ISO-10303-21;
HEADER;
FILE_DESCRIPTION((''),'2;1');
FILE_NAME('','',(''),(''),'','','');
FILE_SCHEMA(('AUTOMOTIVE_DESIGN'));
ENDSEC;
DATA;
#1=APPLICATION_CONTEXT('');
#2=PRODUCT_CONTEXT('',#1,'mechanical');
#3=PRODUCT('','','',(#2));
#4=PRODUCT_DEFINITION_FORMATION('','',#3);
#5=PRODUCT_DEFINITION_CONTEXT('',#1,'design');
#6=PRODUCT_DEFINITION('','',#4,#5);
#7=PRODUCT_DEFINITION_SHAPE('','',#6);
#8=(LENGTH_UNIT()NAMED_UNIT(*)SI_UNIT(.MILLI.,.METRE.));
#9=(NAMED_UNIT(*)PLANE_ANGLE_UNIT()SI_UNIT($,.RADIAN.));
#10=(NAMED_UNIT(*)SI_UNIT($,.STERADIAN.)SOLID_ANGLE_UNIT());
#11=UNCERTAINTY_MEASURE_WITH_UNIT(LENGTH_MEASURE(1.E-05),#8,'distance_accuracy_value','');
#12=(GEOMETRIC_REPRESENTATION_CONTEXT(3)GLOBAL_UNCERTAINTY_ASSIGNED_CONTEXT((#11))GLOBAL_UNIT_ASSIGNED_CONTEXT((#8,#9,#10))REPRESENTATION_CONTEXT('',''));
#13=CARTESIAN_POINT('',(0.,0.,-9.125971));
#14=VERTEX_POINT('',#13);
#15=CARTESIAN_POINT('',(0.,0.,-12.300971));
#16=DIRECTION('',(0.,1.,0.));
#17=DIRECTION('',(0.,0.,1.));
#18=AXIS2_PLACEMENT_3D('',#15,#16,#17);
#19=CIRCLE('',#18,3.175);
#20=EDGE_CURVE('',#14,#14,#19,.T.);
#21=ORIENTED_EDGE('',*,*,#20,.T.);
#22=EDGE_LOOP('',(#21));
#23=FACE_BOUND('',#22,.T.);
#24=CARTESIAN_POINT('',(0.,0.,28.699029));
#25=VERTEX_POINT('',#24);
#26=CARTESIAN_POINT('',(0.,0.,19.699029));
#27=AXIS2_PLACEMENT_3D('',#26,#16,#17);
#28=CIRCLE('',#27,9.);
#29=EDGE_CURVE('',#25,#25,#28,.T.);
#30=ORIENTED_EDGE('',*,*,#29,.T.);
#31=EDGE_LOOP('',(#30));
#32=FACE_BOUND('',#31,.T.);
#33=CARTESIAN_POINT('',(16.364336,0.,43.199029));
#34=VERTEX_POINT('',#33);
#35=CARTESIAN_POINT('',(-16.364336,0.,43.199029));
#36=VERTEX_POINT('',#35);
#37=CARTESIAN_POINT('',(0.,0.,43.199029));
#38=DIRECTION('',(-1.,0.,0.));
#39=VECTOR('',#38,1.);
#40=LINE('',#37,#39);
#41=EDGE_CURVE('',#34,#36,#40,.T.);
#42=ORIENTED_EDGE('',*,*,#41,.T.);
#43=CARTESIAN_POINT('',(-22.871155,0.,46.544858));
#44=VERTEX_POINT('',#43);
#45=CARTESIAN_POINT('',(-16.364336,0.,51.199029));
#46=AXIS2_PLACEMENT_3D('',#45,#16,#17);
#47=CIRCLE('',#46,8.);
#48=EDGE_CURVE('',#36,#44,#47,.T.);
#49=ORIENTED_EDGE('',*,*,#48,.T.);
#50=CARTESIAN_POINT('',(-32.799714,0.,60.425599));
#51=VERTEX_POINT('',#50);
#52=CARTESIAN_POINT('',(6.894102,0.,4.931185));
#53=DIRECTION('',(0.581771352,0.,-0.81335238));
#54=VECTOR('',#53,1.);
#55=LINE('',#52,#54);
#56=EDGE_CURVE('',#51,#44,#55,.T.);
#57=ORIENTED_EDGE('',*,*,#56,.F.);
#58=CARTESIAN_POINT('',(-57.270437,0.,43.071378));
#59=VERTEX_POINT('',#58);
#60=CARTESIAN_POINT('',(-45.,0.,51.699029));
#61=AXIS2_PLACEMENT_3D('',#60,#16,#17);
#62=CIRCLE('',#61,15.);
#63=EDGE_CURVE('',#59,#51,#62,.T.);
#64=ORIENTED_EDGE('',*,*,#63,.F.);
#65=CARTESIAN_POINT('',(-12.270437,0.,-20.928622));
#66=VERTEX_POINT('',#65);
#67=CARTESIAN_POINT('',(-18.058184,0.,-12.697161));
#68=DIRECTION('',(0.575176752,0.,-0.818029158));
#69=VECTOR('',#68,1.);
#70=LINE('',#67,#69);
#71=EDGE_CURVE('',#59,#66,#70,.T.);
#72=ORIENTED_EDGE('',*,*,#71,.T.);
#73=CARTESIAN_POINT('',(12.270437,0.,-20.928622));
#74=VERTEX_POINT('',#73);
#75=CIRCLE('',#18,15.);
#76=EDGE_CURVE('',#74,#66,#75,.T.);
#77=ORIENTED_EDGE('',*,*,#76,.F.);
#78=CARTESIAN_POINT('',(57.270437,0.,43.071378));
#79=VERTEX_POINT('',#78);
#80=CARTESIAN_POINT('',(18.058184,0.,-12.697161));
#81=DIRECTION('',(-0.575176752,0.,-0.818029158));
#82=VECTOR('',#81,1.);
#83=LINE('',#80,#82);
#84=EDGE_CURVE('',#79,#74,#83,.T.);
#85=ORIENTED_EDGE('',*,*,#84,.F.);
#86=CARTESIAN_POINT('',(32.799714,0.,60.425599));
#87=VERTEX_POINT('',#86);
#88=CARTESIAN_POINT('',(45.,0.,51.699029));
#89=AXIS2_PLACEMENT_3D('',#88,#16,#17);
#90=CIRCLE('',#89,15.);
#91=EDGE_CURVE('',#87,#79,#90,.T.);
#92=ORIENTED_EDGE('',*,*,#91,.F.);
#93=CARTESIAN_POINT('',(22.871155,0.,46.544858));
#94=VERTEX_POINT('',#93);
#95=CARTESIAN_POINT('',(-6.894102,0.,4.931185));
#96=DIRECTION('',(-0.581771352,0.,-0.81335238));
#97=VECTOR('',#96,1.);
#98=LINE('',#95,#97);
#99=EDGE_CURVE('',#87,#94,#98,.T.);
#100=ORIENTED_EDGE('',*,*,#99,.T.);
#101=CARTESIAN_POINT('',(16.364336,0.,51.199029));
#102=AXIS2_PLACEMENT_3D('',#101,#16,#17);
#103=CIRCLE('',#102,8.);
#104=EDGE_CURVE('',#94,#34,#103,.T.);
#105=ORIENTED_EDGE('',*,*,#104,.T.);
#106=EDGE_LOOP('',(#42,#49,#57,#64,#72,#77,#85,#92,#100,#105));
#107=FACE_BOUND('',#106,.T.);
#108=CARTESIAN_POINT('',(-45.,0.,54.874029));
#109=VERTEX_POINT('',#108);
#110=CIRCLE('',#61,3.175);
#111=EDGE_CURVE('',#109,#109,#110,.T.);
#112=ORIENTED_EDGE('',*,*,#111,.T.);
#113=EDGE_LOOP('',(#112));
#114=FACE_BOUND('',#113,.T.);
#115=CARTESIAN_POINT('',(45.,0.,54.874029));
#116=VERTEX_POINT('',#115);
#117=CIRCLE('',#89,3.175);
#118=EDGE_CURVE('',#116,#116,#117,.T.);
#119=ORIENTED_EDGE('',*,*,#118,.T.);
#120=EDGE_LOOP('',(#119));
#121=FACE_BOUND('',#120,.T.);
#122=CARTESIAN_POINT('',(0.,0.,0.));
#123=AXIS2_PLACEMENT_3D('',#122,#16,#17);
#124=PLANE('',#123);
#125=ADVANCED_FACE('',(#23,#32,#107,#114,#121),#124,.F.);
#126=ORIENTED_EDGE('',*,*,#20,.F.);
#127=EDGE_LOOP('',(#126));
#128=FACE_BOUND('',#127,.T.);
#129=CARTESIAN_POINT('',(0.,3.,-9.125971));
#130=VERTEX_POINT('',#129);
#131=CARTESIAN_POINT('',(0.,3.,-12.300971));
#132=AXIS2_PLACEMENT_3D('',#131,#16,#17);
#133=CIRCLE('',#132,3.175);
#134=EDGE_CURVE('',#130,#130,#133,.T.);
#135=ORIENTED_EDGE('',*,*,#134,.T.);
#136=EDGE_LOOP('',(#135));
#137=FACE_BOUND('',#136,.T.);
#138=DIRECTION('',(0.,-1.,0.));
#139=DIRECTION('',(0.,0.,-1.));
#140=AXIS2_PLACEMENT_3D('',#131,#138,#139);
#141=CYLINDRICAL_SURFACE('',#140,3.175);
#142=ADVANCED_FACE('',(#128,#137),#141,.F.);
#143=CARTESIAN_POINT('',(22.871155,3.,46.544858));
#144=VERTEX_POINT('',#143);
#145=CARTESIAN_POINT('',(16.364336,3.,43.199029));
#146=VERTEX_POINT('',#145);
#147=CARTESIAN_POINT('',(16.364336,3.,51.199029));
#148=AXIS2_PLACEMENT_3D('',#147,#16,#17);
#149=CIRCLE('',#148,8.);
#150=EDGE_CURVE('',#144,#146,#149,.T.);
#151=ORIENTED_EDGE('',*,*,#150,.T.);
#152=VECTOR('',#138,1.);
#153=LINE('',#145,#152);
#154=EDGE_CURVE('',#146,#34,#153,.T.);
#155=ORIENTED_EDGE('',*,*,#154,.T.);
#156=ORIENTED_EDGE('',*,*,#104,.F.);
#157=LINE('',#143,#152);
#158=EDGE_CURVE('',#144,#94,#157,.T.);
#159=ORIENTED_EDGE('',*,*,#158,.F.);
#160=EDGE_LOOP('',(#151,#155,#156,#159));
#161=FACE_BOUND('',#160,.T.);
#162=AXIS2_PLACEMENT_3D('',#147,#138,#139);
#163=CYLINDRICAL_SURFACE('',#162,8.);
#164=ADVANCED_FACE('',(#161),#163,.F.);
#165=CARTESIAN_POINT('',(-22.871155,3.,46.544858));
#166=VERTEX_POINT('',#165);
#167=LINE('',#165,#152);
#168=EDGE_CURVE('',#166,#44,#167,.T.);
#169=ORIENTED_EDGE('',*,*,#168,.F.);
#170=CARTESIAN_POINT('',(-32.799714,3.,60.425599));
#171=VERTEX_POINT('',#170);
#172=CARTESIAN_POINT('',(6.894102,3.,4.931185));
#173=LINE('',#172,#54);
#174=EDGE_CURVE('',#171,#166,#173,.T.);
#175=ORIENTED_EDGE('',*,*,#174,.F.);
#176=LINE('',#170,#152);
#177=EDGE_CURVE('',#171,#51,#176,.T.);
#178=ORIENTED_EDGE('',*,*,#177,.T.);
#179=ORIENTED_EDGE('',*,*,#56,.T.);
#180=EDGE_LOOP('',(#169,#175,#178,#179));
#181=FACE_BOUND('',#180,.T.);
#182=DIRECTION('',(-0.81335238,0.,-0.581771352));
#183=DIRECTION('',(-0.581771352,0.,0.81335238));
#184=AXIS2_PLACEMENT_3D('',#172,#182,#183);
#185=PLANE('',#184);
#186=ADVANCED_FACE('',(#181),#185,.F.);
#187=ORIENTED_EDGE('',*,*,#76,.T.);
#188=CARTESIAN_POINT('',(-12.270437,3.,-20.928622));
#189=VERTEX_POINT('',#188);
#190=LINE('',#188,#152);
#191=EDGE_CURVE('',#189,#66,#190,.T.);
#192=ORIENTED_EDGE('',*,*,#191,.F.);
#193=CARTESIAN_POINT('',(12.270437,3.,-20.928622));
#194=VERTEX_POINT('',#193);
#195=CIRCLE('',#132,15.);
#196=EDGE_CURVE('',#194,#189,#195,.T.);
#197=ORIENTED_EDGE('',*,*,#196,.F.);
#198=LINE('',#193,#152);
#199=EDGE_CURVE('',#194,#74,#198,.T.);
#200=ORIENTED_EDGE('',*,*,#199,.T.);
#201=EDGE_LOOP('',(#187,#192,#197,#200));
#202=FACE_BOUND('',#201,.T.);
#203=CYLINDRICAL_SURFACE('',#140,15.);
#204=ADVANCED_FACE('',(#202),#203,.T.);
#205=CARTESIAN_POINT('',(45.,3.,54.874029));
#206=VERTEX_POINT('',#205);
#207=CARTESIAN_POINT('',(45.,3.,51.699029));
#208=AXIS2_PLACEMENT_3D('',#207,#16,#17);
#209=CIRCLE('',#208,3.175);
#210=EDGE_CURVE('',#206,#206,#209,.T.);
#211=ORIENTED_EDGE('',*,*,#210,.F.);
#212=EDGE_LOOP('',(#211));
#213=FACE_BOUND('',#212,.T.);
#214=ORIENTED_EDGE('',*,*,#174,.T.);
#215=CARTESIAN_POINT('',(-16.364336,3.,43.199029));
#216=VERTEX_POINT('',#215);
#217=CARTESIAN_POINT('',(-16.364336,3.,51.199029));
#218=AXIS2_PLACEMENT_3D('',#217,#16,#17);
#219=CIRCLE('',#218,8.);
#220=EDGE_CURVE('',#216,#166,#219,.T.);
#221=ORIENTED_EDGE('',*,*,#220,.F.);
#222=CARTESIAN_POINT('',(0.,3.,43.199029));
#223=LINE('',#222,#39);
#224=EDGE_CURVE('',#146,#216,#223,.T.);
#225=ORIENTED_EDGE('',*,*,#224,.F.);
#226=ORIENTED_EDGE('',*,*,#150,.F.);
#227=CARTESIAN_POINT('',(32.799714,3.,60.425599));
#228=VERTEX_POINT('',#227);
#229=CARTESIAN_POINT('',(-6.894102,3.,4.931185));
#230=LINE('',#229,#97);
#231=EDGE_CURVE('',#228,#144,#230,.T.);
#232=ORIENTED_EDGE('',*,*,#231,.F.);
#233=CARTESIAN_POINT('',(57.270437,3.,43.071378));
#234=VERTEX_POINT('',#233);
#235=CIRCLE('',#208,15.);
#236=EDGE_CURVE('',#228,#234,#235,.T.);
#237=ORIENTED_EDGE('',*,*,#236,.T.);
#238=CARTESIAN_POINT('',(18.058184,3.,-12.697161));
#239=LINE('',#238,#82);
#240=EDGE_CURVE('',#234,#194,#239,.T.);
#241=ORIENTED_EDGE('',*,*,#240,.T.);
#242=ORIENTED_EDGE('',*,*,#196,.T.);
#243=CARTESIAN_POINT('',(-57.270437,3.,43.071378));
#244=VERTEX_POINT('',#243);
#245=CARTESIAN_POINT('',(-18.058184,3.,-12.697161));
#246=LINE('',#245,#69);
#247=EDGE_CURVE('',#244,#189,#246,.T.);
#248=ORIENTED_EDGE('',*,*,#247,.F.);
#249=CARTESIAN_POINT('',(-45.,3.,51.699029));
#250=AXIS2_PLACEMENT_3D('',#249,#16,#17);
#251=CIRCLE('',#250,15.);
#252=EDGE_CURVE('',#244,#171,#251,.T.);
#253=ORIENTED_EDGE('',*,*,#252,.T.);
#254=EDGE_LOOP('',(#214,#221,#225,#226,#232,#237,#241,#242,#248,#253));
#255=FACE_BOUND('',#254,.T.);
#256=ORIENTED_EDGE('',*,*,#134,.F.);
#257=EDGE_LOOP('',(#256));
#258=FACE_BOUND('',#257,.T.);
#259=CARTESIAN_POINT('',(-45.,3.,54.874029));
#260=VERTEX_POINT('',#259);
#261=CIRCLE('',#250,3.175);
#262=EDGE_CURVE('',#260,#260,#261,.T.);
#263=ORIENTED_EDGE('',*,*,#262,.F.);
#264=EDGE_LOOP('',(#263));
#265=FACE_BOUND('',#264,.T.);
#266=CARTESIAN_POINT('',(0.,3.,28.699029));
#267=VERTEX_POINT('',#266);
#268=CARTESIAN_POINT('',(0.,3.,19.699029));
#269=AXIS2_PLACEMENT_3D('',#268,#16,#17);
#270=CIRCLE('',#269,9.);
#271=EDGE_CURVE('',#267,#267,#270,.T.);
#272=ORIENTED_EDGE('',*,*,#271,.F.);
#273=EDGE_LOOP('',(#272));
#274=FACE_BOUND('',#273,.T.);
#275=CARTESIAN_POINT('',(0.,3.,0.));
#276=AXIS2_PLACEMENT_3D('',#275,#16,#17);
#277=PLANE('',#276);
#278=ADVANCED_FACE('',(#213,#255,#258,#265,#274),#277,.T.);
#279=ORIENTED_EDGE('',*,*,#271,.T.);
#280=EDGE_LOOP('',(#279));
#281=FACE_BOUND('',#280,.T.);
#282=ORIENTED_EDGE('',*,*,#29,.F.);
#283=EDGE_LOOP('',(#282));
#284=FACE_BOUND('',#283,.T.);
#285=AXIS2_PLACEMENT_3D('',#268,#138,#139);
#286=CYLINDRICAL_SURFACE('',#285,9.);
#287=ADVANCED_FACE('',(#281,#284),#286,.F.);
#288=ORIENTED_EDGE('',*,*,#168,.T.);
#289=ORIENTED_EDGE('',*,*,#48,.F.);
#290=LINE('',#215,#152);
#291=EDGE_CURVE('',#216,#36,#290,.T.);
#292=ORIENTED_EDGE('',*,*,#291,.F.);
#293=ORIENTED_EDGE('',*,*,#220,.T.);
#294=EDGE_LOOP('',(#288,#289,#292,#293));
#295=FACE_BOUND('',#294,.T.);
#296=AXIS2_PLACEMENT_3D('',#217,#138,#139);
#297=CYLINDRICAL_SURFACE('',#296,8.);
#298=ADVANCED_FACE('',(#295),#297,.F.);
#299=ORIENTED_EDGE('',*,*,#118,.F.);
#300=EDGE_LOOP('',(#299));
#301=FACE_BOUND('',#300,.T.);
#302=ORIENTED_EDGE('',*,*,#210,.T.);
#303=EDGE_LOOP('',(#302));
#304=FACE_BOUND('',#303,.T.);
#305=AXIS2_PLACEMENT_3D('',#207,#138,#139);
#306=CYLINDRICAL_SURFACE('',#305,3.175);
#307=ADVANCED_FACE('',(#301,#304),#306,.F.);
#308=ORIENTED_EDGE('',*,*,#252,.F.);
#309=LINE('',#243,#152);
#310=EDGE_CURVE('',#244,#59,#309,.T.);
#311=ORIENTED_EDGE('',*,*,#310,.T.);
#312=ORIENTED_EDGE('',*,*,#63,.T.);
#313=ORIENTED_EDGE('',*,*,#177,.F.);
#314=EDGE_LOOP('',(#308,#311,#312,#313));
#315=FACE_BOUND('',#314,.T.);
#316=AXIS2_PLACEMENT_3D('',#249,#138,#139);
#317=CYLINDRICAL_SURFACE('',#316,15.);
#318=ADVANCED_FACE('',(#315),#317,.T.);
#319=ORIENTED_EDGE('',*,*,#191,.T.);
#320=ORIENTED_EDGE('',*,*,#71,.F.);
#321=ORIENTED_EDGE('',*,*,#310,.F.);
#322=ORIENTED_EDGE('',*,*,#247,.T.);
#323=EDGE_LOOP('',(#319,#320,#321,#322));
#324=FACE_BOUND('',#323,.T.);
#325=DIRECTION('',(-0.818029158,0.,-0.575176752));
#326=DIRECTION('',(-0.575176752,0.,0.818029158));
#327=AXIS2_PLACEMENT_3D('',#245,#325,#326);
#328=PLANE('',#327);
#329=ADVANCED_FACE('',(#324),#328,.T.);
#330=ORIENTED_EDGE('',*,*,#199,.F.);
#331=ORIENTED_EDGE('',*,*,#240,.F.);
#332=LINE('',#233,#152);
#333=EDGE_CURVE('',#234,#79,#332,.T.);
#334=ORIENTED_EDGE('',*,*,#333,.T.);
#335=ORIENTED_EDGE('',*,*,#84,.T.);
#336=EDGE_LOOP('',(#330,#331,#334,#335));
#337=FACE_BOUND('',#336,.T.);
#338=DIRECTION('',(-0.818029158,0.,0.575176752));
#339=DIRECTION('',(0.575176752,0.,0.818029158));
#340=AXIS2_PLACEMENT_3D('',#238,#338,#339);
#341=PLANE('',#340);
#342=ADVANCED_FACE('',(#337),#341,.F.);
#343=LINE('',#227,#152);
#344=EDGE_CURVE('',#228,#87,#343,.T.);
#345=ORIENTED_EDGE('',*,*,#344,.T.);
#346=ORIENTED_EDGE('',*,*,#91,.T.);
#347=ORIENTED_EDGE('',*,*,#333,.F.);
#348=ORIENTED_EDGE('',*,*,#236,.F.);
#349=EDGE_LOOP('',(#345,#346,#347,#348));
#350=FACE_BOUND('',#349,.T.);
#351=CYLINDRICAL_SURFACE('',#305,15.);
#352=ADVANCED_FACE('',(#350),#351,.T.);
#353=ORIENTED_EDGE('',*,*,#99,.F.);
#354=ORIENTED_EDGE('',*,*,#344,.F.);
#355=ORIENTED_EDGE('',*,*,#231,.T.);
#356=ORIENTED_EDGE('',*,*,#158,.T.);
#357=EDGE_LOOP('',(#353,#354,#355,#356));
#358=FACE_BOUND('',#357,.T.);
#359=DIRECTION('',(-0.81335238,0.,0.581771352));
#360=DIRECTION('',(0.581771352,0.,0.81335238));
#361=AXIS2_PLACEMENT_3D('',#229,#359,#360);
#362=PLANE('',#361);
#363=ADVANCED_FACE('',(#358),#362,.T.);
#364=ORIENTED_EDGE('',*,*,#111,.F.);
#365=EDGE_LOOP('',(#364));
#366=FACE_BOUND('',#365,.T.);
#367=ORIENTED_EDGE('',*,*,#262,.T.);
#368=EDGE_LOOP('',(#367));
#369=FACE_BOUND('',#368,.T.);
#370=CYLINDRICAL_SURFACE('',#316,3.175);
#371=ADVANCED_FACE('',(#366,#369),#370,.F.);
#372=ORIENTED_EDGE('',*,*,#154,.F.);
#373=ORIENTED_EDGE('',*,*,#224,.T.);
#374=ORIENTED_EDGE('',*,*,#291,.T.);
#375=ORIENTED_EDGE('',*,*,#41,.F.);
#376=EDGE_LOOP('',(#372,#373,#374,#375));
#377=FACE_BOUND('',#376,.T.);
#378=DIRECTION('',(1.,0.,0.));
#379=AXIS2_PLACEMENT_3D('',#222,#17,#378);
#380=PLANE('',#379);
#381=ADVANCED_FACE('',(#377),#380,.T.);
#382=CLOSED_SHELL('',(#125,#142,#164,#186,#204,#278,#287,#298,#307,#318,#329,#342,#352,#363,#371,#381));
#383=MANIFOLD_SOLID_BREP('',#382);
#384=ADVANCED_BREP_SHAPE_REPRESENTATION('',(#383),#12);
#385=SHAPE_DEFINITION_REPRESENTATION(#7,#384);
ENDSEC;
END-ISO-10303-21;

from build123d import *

# Parameters (mm, degrees)
SKETCH1_R           = 9
SKETCH1_R_2         = 3.175
BOSS_EXTRUDE1_DEPTH = 3


with BuildPart() as part:
    # Sketch1 → Boss-Extrude1 (new body)
    with BuildSketch(Plane(origin=(0, 0, 0), x_dir=(1, 0, 0), z_dir=(0, 1, 0))):
        with BuildLine():
            Line((-12.270437376, 20.928622154), (-57.270437376, -43.071377846))
            ThreePointArc((-57.270437376, -43.071377846), (-53.677181673, -63.93449063), (-32.7997143, -60.425599405))
            Line((-32.7997143, -60.425599405), (-22.871154784, -46.544858311))
            ThreePointArc((-22.871154784, -46.544858311), (-20.022657317, -44.084488856), (-16.364335743, -43.199029126))
            Line((-16.364335743, -43.199029126), (16.364335743, -43.199029126))
            ThreePointArc((16.364335743, -43.199029126), (20.022657317, -44.084488856), (22.871154784, -46.544858311))
            Line((22.871154784, -46.544858311), (32.7997143, -60.425599405))
            ThreePointArc((32.7997143, -60.425599405), (53.677181673, -63.93449063), (57.270437376, -43.071377846))
            Line((57.270437376, -43.071377846), (12.270437376, 20.928622154))
            ThreePointArc((12.270437376, 20.928622154), (0, 27.300970874), (-12.270437376, 20.928622154))
        make_face()
        with Locations(Location((0, -19.699029126, 0), (0, 0, 270))):
            Circle(SKETCH1_R, mode=Mode.SUBTRACT)
        with Locations(Location((-45, -51.699029126, 0), (0, 0, 270))):
            Circle(SKETCH1_R_2, mode=Mode.SUBTRACT)
        with Locations(Location((0, 12.300970874, 0), (0, 0, 270))):
            Circle(SKETCH1_R_2, mode=Mode.SUBTRACT)
        with Locations(Location((45, -51.699029126, 0), (0, 0, 270))):
            Circle(SKETCH1_R_2, mode=Mode.SUBTRACT)
    extrude(amount=BOSS_EXTRUDE1_DEPTH)


solid = part.part
